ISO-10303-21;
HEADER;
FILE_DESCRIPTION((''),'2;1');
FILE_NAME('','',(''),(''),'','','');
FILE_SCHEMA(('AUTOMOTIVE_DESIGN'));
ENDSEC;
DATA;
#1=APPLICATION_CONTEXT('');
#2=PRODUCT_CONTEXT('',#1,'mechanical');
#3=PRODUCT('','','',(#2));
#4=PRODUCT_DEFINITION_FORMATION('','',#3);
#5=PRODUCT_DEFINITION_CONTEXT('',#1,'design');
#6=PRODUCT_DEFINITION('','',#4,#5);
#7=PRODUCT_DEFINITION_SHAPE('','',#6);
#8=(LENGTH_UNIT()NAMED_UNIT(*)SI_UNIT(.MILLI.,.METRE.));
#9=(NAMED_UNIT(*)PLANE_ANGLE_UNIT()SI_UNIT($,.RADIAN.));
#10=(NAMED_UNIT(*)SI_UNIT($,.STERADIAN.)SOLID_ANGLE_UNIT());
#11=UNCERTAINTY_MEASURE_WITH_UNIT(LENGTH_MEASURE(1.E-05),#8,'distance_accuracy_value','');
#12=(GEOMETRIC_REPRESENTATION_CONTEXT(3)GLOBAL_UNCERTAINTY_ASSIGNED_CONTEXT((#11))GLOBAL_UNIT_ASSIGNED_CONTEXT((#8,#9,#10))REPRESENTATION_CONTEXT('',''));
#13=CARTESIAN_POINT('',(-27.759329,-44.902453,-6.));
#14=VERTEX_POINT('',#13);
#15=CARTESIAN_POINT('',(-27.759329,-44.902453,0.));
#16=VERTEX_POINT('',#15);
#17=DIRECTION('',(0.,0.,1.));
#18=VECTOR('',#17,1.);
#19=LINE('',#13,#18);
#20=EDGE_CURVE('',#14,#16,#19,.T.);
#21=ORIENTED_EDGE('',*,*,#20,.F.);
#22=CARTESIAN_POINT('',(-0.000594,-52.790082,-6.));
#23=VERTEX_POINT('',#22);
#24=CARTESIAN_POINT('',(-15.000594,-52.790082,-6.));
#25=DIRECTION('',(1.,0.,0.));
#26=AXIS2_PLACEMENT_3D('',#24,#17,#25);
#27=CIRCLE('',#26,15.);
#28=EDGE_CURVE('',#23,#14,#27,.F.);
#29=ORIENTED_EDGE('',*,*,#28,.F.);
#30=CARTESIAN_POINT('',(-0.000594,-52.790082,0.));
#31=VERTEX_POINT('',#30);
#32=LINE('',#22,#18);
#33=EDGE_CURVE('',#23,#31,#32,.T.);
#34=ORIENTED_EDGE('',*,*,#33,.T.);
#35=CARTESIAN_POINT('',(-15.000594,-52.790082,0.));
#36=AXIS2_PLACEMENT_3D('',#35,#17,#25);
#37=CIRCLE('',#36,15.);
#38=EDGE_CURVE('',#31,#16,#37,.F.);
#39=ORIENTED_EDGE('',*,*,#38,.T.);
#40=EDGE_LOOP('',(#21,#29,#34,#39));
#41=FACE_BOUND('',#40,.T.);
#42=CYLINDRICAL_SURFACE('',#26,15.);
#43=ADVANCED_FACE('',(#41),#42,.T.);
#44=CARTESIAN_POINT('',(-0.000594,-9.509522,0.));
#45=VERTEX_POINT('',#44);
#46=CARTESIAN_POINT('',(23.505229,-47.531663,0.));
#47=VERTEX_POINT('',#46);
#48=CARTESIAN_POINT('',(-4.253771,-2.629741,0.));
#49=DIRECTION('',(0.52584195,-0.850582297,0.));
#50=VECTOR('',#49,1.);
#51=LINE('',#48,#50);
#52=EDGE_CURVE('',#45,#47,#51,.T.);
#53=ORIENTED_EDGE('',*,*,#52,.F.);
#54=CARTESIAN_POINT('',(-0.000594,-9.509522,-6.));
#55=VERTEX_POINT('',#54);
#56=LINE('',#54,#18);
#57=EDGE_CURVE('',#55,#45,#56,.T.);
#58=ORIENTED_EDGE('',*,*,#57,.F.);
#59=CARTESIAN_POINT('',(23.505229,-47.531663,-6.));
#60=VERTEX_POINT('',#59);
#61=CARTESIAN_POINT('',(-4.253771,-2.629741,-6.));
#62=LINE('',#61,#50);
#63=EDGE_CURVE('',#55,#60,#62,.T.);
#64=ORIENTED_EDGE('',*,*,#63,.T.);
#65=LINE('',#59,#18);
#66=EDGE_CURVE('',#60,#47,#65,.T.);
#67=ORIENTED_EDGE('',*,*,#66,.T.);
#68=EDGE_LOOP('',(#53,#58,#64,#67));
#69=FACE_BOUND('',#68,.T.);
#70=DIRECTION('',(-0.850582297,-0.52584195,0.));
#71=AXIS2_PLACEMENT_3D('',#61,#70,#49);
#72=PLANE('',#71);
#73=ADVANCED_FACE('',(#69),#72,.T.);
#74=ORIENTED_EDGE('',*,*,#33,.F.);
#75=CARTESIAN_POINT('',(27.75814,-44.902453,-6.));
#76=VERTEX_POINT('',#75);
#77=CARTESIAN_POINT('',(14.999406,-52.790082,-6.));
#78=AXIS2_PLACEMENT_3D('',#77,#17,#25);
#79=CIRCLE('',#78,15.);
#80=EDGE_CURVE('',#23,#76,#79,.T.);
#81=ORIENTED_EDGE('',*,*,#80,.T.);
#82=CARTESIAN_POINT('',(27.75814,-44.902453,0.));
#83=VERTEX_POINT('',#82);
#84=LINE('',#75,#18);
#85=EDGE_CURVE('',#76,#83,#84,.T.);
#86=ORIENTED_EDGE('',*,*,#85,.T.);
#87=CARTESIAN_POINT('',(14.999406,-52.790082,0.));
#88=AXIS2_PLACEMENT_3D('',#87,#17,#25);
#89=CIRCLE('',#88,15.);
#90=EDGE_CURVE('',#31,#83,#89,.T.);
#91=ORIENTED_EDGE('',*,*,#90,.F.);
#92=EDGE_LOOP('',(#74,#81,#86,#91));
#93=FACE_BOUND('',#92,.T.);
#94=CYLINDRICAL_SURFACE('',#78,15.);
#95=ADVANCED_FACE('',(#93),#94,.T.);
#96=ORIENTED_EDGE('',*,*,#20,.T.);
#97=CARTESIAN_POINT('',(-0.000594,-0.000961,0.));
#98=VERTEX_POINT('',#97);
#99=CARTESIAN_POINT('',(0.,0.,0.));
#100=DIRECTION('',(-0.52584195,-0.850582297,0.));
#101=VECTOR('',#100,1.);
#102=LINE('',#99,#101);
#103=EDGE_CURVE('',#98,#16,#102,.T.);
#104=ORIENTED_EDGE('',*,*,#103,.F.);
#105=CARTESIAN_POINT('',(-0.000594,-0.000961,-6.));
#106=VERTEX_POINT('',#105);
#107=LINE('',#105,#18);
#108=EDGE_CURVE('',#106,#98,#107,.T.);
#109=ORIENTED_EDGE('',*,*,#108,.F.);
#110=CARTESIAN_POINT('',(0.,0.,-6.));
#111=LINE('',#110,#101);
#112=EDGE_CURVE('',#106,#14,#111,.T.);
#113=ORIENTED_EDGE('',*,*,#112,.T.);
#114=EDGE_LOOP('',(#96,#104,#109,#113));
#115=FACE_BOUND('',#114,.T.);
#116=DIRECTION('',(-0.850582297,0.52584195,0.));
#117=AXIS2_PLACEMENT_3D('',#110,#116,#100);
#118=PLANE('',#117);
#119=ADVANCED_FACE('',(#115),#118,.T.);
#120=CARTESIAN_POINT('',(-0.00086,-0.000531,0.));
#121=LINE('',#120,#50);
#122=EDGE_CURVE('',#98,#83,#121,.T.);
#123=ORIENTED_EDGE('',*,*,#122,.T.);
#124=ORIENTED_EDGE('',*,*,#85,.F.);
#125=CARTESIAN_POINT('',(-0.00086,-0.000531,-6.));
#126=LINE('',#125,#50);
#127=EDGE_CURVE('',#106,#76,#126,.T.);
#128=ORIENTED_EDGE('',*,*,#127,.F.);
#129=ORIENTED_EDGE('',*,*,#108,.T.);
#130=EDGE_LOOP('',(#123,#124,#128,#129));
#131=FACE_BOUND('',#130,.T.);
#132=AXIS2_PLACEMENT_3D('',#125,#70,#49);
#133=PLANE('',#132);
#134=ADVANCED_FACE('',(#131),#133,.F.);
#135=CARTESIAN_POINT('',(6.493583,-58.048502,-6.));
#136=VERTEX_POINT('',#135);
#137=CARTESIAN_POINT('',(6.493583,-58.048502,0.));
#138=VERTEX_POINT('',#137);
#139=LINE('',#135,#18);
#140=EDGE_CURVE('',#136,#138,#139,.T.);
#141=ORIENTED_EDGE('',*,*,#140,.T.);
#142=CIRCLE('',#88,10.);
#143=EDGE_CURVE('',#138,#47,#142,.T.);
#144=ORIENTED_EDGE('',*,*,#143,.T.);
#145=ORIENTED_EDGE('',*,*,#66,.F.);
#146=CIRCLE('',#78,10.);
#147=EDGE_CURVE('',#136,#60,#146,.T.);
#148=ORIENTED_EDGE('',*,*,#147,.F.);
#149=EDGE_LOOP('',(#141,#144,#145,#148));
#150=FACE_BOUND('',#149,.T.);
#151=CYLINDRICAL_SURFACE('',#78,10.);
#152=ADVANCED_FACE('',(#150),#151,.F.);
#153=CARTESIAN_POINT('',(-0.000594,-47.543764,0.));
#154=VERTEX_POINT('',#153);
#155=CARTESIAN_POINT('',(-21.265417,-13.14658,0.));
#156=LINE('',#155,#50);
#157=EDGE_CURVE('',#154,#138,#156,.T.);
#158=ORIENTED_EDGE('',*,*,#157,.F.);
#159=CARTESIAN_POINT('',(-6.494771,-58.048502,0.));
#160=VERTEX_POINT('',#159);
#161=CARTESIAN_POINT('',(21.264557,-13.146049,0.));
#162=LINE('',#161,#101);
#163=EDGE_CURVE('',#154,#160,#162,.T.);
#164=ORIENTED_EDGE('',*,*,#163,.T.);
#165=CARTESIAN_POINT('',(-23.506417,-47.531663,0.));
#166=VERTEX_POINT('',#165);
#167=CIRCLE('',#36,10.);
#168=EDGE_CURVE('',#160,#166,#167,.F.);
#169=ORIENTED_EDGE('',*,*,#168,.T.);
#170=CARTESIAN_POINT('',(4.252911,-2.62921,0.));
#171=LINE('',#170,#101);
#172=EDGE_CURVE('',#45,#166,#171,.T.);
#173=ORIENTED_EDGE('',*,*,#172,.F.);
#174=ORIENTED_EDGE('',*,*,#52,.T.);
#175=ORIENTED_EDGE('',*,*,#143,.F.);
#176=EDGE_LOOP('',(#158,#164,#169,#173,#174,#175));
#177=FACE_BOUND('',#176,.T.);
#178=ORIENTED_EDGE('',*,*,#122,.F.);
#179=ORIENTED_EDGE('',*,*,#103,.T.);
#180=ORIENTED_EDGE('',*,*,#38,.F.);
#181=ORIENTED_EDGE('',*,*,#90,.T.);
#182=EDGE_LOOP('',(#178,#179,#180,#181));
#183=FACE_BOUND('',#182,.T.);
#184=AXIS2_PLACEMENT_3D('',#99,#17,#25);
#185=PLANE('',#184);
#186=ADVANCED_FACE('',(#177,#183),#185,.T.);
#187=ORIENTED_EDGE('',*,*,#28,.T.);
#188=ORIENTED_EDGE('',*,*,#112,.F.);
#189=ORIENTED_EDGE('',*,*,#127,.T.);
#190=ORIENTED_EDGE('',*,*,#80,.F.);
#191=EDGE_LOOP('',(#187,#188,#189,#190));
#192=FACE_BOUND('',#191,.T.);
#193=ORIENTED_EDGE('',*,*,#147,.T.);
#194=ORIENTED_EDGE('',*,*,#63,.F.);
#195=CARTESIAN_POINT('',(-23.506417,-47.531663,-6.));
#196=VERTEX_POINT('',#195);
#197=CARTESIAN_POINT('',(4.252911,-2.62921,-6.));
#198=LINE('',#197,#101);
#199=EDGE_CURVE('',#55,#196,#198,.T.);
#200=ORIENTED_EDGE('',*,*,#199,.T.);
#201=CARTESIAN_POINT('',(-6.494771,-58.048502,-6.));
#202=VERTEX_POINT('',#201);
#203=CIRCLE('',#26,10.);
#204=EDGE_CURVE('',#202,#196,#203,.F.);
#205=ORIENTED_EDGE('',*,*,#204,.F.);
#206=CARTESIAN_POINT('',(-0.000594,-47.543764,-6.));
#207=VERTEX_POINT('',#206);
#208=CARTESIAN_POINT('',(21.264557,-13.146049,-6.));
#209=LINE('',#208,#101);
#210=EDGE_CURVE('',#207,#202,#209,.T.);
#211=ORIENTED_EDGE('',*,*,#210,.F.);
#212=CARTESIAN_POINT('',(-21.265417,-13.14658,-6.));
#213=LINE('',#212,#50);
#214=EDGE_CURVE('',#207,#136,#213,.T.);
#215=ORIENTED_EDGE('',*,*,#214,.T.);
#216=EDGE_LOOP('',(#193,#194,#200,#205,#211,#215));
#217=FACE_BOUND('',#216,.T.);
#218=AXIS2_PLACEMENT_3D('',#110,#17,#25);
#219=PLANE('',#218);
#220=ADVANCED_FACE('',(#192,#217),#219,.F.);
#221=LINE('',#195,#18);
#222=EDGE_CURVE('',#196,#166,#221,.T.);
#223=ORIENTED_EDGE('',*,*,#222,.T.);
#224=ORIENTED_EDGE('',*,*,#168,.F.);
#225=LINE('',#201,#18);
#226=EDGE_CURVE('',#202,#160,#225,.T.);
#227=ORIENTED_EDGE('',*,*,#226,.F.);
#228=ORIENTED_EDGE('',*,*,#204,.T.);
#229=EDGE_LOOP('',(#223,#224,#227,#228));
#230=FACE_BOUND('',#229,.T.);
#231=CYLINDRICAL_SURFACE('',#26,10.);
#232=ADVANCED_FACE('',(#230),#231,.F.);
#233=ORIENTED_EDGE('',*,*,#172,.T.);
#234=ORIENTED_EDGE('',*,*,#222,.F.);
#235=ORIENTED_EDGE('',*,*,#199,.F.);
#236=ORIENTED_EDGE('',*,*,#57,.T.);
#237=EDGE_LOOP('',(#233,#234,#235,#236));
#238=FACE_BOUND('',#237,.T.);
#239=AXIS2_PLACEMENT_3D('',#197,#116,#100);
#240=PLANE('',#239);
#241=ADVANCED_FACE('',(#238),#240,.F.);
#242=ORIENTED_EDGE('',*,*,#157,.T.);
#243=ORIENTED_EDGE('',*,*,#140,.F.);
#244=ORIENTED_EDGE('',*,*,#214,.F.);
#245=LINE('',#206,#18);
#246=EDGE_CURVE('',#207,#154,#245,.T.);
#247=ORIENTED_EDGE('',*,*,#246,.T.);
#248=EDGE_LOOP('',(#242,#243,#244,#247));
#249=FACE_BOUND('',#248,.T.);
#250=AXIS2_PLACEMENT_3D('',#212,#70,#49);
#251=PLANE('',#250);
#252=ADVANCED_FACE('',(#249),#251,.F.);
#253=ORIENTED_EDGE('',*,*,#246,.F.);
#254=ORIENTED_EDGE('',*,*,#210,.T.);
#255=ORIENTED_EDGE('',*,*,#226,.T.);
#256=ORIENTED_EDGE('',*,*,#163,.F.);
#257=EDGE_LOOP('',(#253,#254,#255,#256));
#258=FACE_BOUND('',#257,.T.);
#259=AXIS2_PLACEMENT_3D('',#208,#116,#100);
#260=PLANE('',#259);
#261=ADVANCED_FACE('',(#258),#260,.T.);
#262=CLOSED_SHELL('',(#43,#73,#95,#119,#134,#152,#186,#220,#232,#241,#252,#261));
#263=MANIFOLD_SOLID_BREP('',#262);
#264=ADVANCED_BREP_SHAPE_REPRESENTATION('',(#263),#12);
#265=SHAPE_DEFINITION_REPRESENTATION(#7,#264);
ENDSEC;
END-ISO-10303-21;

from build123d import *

# Parameters (mm, degrees)
BOSS_EXTRUDE1_DEPTH = 6


with BuildPart() as part:
    # Sketch1 → Boss-Extrude1 (new body)
    with BuildSketch(Plane(origin=(0, 0, 0), x_dir=(1, 0, 0), z_dir=(0, 0, -1))):
        with BuildLine():
            Line((-27.759328596, 44.902453019), (-0.000594147, 0.000961069))
            Line((-0.000594147, 0.000961069), (27.758140303, 44.902453019))
            ThreePointArc((27.758140303, 44.902453019), (19.099343857, 67.218890553), (-0.000594147, 52.790082274))
            ThreePointArc((-0.000594147, 52.790082274), (-19.10053215, 67.218890553), (-27.759328596, 44.902453019))
        make_face()
        with BuildLine():
            Line((23.50522882, 47.531662771), (-0.000594147, 9.509521573))
            Line((-0.000594147, 9.509521573), (-23.506417113, 47.531662771))
            ThreePointArc((-23.506417113, 47.531662771), (-20.25901365, 61.29590524), (-6.49477118, 58.048501777))
            Line((-6.49477118, 58.048501777), (-0.000594147, 47.543763589))
            Line((-0.000594147, 47.543763589), (6.493582887, 58.048501777))
            ThreePointArc((6.493582887, 58.048501777), (20.257825357, 61.29590524), (23.50522882, 47.531662771))
        make_face(mode=Mode.SUBTRACT)
    extrude(amount=BOSS_EXTRUDE1_DEPTH)


solid = part.part
